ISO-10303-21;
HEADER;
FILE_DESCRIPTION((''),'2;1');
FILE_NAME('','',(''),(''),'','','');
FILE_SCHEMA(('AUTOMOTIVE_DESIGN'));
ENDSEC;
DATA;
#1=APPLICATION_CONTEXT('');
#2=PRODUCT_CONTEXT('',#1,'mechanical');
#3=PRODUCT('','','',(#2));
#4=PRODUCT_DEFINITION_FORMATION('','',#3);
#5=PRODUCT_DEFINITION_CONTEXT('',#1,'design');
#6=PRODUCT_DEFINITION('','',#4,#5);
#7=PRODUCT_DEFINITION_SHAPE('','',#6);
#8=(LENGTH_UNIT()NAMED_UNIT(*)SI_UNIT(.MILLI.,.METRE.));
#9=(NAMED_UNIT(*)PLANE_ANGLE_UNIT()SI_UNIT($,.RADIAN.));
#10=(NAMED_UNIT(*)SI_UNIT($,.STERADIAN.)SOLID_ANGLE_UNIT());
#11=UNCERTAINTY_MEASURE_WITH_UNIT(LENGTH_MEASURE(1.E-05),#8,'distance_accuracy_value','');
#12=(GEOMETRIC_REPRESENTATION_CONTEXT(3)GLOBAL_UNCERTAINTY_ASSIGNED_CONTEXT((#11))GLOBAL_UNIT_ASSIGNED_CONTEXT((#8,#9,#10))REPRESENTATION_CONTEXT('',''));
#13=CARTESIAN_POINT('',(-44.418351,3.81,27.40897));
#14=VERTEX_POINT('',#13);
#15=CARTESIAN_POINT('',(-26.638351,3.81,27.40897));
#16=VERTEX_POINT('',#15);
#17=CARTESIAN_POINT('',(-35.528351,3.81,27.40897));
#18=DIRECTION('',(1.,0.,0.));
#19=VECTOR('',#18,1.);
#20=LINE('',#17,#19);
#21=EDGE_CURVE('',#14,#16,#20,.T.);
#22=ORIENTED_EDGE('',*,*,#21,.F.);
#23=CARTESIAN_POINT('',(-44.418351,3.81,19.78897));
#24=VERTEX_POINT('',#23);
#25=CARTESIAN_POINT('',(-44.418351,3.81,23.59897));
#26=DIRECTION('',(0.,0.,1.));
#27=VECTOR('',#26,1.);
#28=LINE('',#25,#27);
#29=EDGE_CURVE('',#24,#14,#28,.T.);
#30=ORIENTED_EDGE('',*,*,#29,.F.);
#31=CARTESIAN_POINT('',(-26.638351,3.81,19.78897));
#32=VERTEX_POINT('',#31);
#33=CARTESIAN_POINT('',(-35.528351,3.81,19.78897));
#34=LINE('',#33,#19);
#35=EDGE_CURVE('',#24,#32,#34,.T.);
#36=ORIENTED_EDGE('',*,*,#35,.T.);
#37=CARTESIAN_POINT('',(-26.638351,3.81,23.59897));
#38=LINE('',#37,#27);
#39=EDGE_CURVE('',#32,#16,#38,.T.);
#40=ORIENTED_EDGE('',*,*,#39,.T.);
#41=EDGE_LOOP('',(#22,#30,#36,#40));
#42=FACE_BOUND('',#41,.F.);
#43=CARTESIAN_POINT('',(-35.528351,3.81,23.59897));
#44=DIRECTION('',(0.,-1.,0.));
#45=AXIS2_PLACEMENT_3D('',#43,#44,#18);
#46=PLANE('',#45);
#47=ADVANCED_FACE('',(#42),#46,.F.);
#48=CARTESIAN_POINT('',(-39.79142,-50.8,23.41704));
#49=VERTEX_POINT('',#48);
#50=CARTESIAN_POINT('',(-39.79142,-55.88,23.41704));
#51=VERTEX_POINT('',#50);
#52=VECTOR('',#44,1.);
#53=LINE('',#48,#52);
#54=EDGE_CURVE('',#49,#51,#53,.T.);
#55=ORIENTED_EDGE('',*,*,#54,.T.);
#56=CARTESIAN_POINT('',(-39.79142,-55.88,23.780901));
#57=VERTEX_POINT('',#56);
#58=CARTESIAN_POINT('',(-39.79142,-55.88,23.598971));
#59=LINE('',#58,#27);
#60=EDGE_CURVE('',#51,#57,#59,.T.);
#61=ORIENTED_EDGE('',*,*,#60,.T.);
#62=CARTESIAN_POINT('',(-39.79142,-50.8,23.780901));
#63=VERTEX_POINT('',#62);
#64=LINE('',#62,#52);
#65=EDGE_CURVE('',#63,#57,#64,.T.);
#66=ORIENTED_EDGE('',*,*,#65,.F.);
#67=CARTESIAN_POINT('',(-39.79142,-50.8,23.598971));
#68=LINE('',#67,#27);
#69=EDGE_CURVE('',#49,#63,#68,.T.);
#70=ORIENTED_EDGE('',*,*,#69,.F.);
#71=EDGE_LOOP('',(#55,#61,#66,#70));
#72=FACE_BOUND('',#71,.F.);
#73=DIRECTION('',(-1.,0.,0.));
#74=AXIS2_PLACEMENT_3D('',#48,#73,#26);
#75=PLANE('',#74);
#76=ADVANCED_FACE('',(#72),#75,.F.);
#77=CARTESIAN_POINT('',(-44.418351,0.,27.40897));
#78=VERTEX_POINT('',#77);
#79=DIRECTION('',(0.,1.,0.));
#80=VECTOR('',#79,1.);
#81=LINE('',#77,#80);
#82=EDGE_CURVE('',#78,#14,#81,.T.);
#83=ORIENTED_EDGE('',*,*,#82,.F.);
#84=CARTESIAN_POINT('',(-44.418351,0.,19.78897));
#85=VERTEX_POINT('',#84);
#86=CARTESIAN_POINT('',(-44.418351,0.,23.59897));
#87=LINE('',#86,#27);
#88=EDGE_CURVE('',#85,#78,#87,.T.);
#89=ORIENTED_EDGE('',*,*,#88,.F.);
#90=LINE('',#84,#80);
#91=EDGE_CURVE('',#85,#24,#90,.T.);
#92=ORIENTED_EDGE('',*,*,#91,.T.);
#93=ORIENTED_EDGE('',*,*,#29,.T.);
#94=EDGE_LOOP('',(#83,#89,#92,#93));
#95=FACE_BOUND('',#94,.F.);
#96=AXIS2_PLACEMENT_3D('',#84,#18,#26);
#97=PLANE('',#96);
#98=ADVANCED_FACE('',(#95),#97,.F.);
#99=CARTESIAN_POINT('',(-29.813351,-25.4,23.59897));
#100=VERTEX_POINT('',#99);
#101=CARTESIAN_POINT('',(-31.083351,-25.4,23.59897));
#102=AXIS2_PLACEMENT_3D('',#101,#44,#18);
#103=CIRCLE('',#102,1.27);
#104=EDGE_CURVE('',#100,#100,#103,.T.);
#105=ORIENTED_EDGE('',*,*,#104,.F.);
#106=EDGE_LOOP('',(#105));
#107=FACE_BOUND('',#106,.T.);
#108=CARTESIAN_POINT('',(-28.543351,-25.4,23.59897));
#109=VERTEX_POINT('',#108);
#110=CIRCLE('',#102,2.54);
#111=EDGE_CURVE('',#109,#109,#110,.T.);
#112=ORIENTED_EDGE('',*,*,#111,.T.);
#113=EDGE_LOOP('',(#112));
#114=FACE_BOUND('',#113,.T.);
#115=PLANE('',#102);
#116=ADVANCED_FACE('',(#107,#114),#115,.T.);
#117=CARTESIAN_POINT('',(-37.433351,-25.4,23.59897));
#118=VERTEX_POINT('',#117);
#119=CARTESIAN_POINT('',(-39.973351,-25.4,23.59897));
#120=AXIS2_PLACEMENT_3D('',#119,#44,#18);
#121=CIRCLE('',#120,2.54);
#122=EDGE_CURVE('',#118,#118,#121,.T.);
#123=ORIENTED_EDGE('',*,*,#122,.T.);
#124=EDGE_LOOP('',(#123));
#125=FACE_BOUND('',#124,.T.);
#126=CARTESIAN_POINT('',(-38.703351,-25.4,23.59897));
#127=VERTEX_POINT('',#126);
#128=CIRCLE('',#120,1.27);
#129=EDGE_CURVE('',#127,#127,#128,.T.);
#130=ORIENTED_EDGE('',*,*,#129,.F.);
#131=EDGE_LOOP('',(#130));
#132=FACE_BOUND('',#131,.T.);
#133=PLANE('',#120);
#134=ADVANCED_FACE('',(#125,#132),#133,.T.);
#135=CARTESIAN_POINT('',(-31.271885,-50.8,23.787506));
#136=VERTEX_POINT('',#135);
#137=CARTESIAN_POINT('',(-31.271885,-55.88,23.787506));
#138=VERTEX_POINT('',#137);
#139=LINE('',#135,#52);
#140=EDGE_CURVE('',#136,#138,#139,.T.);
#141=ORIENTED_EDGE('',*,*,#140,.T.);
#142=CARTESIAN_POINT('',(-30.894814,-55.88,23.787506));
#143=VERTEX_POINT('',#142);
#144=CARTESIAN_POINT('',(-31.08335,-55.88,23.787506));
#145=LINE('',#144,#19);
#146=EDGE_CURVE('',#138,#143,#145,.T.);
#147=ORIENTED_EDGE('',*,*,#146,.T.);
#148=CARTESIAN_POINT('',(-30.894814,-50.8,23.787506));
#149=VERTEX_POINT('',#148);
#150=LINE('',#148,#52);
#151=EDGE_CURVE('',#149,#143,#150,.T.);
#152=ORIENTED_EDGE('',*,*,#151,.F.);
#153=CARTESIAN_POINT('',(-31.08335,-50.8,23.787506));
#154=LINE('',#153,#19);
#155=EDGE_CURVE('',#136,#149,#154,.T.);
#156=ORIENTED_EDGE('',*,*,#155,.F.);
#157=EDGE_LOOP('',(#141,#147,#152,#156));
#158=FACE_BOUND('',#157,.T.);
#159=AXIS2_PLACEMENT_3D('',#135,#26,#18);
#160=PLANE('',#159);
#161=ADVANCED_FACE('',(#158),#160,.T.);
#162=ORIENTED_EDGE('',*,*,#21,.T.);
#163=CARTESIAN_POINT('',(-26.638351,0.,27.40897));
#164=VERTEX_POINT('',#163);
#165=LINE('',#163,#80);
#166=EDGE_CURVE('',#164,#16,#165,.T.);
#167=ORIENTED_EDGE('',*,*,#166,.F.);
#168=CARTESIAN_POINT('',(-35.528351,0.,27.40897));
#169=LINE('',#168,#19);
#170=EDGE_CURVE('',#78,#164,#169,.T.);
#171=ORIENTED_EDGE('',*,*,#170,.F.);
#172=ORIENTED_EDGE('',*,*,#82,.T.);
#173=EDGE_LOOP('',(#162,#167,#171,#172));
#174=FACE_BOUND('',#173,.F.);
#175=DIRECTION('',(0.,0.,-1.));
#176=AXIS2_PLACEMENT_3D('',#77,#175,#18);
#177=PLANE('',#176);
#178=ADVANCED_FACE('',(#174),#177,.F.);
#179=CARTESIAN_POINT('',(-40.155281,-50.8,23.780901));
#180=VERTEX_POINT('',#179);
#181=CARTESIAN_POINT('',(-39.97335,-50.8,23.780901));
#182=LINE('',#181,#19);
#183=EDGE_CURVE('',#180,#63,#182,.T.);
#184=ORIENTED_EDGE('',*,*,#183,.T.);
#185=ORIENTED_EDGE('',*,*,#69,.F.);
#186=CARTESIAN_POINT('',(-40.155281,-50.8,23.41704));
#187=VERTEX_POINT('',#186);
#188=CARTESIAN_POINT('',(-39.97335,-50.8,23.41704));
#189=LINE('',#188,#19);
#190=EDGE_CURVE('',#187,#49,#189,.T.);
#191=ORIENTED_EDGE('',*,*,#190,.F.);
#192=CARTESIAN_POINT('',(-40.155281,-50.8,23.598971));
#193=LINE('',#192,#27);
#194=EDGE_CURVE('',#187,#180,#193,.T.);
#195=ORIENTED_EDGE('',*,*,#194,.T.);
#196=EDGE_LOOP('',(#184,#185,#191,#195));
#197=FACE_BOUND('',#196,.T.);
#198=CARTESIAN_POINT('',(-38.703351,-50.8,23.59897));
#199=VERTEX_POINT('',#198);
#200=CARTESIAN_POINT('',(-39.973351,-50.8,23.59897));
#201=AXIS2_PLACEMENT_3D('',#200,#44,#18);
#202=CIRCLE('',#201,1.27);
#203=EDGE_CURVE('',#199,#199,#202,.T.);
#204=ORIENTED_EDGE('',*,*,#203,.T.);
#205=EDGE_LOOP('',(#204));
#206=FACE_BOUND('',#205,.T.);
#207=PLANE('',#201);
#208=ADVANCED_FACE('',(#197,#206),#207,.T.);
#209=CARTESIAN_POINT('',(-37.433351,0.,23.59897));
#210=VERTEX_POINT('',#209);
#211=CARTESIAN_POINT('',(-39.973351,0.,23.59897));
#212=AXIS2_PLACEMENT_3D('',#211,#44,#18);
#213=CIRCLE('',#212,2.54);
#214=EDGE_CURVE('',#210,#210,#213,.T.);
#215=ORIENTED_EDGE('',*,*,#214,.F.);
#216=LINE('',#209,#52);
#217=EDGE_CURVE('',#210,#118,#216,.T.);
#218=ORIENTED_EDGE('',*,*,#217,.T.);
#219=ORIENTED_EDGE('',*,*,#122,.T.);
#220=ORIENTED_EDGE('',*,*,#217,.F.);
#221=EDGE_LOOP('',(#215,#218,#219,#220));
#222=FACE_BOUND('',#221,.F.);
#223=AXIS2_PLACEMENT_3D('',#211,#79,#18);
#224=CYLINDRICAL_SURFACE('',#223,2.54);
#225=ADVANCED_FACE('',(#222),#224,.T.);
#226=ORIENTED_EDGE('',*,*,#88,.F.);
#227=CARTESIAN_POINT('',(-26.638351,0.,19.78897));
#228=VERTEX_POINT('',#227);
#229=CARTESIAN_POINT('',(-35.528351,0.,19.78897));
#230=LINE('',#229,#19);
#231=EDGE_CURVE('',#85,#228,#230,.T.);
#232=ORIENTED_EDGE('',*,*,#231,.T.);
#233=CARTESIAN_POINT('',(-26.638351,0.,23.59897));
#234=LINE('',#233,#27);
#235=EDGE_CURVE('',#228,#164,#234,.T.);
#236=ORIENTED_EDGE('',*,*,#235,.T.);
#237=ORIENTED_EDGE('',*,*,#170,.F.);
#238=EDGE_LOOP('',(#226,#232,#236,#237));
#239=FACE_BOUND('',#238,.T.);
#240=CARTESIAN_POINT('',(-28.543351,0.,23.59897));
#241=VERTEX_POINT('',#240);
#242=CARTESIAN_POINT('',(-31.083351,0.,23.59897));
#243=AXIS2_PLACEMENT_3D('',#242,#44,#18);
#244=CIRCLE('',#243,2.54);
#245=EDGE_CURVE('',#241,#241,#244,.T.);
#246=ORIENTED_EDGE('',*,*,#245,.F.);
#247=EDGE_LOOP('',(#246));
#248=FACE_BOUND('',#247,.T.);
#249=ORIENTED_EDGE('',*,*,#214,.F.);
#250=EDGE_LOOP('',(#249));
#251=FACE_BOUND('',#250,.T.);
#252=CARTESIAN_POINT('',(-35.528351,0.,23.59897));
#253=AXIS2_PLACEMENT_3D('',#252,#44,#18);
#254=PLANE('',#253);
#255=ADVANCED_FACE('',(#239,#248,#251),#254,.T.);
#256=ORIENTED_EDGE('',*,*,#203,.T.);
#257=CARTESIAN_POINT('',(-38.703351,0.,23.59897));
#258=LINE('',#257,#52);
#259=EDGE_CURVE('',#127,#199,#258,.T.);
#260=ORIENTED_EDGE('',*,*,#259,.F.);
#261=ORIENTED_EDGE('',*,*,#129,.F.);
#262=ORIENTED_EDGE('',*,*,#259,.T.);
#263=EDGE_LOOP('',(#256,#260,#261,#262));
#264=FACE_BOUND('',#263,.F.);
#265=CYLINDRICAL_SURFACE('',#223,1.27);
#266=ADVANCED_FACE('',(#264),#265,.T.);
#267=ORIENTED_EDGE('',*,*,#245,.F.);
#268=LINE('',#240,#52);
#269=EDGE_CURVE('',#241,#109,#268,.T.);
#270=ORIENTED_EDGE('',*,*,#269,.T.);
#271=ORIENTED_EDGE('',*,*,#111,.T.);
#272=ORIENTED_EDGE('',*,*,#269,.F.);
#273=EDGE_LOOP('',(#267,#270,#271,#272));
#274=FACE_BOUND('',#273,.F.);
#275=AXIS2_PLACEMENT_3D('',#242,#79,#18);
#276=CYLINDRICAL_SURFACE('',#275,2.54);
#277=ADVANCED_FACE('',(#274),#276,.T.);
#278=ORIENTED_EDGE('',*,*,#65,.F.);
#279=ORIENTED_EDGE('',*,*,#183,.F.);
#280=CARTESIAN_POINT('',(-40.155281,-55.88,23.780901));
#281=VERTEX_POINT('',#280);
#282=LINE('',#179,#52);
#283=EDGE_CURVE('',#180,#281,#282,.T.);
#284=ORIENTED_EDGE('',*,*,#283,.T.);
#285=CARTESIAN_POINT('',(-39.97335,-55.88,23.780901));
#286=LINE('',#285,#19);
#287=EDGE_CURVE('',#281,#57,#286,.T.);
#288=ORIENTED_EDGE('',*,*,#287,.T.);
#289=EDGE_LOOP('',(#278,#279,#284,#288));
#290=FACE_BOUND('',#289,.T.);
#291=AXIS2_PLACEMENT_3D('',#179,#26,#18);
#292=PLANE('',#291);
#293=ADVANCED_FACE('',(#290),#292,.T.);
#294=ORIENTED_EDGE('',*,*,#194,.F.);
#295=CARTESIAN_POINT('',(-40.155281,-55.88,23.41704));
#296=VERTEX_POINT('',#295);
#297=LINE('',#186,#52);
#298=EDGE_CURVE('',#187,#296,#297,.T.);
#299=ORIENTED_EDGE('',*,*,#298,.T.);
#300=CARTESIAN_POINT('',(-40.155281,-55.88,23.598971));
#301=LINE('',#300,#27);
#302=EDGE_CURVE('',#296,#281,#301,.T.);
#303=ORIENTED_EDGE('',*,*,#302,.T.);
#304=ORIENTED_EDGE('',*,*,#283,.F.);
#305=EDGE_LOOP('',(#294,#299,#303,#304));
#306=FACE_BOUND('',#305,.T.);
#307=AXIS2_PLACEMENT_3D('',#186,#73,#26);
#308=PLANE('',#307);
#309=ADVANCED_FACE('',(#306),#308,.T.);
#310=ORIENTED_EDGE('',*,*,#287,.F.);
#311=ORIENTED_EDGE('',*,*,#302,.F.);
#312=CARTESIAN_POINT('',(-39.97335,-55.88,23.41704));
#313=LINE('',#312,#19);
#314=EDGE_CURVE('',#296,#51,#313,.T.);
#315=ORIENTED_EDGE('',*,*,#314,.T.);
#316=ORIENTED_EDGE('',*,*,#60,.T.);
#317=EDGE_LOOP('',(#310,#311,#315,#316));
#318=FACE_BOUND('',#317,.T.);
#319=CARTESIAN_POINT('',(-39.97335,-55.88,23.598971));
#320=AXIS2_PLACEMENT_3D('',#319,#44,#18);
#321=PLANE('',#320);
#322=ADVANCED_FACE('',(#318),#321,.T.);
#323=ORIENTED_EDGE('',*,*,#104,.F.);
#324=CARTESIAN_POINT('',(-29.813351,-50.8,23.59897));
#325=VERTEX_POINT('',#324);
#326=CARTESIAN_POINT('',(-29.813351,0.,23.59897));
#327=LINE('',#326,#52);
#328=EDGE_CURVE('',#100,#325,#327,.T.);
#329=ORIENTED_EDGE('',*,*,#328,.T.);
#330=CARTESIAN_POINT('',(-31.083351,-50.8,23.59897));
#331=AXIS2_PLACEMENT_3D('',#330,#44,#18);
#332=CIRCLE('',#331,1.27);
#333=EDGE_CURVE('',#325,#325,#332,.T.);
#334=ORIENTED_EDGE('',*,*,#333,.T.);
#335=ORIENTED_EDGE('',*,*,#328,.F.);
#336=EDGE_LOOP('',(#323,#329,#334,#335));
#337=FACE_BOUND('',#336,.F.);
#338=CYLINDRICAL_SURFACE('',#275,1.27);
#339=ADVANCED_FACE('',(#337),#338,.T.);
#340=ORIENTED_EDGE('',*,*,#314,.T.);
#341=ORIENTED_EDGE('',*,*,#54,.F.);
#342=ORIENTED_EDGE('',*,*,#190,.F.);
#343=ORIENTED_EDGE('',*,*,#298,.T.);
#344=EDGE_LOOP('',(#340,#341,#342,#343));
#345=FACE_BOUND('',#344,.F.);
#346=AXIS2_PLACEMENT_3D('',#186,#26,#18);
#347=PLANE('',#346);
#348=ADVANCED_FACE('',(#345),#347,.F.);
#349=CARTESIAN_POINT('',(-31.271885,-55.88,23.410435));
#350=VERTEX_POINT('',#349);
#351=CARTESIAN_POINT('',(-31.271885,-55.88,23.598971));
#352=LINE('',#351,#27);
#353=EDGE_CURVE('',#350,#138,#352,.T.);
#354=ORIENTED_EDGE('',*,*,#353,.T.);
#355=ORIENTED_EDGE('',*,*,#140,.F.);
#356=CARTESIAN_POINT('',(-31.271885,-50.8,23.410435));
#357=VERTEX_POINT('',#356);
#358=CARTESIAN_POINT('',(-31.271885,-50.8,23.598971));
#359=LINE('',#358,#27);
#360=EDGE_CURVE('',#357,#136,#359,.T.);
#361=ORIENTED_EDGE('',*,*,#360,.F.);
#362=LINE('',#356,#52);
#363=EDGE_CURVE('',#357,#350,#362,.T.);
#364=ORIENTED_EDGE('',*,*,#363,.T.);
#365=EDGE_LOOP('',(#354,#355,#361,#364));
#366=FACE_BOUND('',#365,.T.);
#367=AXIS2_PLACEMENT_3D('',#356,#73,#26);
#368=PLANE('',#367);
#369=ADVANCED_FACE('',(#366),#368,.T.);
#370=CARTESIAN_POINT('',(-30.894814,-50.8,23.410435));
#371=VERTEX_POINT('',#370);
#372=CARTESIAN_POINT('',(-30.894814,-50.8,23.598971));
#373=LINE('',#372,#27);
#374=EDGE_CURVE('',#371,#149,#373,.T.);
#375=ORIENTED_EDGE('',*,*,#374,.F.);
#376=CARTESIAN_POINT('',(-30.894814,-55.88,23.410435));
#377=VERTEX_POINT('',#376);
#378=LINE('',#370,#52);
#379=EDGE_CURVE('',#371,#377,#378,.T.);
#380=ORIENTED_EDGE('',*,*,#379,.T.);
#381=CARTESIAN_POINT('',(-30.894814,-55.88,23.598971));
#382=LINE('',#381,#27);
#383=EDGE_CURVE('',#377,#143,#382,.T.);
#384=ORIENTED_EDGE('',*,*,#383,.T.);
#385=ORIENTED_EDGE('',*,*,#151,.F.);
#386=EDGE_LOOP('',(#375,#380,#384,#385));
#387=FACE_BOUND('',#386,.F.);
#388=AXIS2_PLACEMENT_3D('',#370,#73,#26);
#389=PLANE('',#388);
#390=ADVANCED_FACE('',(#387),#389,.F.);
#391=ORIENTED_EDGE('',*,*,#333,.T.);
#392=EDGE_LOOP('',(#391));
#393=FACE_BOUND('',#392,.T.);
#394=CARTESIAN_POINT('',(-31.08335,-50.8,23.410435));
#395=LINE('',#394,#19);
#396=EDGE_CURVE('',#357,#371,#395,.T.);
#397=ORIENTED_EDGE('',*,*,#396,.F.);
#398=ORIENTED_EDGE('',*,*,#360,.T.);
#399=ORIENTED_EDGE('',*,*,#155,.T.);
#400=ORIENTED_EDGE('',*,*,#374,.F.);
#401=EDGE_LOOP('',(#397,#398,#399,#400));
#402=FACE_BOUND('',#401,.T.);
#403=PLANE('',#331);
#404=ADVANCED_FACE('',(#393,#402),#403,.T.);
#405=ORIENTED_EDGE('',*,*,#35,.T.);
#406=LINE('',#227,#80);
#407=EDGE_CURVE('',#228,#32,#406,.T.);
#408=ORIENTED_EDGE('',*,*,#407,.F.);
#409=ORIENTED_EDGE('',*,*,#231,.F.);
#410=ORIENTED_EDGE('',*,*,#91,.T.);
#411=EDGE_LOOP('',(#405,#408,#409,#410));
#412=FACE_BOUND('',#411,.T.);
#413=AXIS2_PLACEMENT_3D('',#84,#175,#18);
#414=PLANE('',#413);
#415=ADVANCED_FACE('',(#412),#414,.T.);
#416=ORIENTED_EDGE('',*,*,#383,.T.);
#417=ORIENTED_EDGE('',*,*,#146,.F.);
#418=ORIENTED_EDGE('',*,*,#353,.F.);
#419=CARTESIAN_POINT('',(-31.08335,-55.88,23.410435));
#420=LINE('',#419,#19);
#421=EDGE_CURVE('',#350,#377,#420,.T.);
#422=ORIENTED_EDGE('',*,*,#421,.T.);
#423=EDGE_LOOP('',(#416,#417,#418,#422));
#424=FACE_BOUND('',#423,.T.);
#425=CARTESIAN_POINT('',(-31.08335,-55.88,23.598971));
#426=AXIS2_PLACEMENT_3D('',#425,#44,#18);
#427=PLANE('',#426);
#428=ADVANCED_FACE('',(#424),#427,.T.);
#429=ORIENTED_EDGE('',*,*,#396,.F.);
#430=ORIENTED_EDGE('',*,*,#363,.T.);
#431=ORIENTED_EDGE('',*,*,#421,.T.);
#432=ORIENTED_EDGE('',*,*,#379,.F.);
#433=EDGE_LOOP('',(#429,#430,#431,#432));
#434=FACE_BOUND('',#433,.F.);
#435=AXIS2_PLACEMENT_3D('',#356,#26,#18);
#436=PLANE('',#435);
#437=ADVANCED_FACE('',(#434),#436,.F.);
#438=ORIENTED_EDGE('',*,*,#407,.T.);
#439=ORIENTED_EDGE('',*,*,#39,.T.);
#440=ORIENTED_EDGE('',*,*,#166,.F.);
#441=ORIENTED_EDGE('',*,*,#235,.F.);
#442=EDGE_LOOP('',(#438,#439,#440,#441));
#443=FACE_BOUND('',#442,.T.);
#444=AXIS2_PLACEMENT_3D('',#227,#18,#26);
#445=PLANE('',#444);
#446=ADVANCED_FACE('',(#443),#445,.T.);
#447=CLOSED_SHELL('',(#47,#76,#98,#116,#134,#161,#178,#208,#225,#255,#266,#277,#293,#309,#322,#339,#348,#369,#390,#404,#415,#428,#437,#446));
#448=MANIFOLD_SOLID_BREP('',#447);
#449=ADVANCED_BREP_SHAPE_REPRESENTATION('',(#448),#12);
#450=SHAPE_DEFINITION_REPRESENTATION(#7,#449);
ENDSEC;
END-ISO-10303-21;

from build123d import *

# Parameters (mm, degrees)
F0_W     = 17.78
F0_H     = 7.62
F0_R     = 2.54
F0_R_2   = 1.27
F1_DEPTH = 3.81
F2_DEPTH = 50.8
F3_DEPTH = 25.4
F4_W     = 0.363861
F4_H     = 0.363861
F5_DEPTH = 5.08
F6_W     = 0.377071
F6_H     = 0.377071
F7_DEPTH = 5.08


with BuildPart() as f1:
    # F0 (on Front) → F1 (new body)
    with BuildSketch(Plane.XZ):
        with Locations((-35.528351, 23.59897)):
            Rectangle(F0_W, F0_H)
        with Locations((-39.973351, 23.59897)):
            Circle(F0_R, mode=Mode.SUBTRACT)
        with Locations((-31.083351, 23.59897)):
            Circle(F0_R, mode=Mode.SUBTRACT)
        with Locations((-39.973351, 23.59897)):
            Circle(F0_R)
        with Locations((-39.973351, 23.59897)):
            Circle(F0_R_2, mode=Mode.SUBTRACT)
        with Locations((-39.973351, 23.59897)):
            Circle(F0_R_2)
        with Locations((-31.083351, 23.59897)):
            Circle(F0_R)
        with Locations((-31.083351, 23.59897)):
            Circle(F0_R_2, mode=Mode.SUBTRACT)
        with Locations((-31.083351, 23.59897)):
            Circle(F0_R_2)
    extrude(amount=-F1_DEPTH)

    # F0 (on Front) → F2 (join)
    with BuildSketch(Plane.XZ):
        with Locations((-39.973351, 23.59897)):
            Circle(F0_R_2)
        with Locations((-31.083351, 23.59897)):
            Circle(F0_R_2)
    extrude(amount=F2_DEPTH)

    # F0 (on Front) → F3 (join)
    with BuildSketch(Plane.XZ):
        with Locations((-39.973351, 23.59897)):
            Circle(F0_R)
        with Locations((-39.973351, 23.59897)):
            Circle(F0_R_2, mode=Mode.SUBTRACT)
        with Locations((-31.083351, 23.59897)):
            Circle(F0_R)
        with Locations((-31.083351, 23.59897)):
            Circle(F0_R_2, mode=Mode.SUBTRACT)
    extrude(amount=F3_DEPTH)

    # F4 (on face) → F5 (join)
    with BuildSketch(Plane.XZ.offset(50.8)):
        with Locations((-39.97335, 23.598971)):
            Rectangle(F4_W, F4_H)
    extrude(amount=F5_DEPTH)

    # F6 (on face) → F7 (join)
    with BuildSketch(Plane.XZ.offset(50.8)):
        with Locations((-31.08335, 23.598971)):
            Rectangle(F6_W, F6_H)
    extrude(amount=F7_DEPTH)


solid = f1.part
